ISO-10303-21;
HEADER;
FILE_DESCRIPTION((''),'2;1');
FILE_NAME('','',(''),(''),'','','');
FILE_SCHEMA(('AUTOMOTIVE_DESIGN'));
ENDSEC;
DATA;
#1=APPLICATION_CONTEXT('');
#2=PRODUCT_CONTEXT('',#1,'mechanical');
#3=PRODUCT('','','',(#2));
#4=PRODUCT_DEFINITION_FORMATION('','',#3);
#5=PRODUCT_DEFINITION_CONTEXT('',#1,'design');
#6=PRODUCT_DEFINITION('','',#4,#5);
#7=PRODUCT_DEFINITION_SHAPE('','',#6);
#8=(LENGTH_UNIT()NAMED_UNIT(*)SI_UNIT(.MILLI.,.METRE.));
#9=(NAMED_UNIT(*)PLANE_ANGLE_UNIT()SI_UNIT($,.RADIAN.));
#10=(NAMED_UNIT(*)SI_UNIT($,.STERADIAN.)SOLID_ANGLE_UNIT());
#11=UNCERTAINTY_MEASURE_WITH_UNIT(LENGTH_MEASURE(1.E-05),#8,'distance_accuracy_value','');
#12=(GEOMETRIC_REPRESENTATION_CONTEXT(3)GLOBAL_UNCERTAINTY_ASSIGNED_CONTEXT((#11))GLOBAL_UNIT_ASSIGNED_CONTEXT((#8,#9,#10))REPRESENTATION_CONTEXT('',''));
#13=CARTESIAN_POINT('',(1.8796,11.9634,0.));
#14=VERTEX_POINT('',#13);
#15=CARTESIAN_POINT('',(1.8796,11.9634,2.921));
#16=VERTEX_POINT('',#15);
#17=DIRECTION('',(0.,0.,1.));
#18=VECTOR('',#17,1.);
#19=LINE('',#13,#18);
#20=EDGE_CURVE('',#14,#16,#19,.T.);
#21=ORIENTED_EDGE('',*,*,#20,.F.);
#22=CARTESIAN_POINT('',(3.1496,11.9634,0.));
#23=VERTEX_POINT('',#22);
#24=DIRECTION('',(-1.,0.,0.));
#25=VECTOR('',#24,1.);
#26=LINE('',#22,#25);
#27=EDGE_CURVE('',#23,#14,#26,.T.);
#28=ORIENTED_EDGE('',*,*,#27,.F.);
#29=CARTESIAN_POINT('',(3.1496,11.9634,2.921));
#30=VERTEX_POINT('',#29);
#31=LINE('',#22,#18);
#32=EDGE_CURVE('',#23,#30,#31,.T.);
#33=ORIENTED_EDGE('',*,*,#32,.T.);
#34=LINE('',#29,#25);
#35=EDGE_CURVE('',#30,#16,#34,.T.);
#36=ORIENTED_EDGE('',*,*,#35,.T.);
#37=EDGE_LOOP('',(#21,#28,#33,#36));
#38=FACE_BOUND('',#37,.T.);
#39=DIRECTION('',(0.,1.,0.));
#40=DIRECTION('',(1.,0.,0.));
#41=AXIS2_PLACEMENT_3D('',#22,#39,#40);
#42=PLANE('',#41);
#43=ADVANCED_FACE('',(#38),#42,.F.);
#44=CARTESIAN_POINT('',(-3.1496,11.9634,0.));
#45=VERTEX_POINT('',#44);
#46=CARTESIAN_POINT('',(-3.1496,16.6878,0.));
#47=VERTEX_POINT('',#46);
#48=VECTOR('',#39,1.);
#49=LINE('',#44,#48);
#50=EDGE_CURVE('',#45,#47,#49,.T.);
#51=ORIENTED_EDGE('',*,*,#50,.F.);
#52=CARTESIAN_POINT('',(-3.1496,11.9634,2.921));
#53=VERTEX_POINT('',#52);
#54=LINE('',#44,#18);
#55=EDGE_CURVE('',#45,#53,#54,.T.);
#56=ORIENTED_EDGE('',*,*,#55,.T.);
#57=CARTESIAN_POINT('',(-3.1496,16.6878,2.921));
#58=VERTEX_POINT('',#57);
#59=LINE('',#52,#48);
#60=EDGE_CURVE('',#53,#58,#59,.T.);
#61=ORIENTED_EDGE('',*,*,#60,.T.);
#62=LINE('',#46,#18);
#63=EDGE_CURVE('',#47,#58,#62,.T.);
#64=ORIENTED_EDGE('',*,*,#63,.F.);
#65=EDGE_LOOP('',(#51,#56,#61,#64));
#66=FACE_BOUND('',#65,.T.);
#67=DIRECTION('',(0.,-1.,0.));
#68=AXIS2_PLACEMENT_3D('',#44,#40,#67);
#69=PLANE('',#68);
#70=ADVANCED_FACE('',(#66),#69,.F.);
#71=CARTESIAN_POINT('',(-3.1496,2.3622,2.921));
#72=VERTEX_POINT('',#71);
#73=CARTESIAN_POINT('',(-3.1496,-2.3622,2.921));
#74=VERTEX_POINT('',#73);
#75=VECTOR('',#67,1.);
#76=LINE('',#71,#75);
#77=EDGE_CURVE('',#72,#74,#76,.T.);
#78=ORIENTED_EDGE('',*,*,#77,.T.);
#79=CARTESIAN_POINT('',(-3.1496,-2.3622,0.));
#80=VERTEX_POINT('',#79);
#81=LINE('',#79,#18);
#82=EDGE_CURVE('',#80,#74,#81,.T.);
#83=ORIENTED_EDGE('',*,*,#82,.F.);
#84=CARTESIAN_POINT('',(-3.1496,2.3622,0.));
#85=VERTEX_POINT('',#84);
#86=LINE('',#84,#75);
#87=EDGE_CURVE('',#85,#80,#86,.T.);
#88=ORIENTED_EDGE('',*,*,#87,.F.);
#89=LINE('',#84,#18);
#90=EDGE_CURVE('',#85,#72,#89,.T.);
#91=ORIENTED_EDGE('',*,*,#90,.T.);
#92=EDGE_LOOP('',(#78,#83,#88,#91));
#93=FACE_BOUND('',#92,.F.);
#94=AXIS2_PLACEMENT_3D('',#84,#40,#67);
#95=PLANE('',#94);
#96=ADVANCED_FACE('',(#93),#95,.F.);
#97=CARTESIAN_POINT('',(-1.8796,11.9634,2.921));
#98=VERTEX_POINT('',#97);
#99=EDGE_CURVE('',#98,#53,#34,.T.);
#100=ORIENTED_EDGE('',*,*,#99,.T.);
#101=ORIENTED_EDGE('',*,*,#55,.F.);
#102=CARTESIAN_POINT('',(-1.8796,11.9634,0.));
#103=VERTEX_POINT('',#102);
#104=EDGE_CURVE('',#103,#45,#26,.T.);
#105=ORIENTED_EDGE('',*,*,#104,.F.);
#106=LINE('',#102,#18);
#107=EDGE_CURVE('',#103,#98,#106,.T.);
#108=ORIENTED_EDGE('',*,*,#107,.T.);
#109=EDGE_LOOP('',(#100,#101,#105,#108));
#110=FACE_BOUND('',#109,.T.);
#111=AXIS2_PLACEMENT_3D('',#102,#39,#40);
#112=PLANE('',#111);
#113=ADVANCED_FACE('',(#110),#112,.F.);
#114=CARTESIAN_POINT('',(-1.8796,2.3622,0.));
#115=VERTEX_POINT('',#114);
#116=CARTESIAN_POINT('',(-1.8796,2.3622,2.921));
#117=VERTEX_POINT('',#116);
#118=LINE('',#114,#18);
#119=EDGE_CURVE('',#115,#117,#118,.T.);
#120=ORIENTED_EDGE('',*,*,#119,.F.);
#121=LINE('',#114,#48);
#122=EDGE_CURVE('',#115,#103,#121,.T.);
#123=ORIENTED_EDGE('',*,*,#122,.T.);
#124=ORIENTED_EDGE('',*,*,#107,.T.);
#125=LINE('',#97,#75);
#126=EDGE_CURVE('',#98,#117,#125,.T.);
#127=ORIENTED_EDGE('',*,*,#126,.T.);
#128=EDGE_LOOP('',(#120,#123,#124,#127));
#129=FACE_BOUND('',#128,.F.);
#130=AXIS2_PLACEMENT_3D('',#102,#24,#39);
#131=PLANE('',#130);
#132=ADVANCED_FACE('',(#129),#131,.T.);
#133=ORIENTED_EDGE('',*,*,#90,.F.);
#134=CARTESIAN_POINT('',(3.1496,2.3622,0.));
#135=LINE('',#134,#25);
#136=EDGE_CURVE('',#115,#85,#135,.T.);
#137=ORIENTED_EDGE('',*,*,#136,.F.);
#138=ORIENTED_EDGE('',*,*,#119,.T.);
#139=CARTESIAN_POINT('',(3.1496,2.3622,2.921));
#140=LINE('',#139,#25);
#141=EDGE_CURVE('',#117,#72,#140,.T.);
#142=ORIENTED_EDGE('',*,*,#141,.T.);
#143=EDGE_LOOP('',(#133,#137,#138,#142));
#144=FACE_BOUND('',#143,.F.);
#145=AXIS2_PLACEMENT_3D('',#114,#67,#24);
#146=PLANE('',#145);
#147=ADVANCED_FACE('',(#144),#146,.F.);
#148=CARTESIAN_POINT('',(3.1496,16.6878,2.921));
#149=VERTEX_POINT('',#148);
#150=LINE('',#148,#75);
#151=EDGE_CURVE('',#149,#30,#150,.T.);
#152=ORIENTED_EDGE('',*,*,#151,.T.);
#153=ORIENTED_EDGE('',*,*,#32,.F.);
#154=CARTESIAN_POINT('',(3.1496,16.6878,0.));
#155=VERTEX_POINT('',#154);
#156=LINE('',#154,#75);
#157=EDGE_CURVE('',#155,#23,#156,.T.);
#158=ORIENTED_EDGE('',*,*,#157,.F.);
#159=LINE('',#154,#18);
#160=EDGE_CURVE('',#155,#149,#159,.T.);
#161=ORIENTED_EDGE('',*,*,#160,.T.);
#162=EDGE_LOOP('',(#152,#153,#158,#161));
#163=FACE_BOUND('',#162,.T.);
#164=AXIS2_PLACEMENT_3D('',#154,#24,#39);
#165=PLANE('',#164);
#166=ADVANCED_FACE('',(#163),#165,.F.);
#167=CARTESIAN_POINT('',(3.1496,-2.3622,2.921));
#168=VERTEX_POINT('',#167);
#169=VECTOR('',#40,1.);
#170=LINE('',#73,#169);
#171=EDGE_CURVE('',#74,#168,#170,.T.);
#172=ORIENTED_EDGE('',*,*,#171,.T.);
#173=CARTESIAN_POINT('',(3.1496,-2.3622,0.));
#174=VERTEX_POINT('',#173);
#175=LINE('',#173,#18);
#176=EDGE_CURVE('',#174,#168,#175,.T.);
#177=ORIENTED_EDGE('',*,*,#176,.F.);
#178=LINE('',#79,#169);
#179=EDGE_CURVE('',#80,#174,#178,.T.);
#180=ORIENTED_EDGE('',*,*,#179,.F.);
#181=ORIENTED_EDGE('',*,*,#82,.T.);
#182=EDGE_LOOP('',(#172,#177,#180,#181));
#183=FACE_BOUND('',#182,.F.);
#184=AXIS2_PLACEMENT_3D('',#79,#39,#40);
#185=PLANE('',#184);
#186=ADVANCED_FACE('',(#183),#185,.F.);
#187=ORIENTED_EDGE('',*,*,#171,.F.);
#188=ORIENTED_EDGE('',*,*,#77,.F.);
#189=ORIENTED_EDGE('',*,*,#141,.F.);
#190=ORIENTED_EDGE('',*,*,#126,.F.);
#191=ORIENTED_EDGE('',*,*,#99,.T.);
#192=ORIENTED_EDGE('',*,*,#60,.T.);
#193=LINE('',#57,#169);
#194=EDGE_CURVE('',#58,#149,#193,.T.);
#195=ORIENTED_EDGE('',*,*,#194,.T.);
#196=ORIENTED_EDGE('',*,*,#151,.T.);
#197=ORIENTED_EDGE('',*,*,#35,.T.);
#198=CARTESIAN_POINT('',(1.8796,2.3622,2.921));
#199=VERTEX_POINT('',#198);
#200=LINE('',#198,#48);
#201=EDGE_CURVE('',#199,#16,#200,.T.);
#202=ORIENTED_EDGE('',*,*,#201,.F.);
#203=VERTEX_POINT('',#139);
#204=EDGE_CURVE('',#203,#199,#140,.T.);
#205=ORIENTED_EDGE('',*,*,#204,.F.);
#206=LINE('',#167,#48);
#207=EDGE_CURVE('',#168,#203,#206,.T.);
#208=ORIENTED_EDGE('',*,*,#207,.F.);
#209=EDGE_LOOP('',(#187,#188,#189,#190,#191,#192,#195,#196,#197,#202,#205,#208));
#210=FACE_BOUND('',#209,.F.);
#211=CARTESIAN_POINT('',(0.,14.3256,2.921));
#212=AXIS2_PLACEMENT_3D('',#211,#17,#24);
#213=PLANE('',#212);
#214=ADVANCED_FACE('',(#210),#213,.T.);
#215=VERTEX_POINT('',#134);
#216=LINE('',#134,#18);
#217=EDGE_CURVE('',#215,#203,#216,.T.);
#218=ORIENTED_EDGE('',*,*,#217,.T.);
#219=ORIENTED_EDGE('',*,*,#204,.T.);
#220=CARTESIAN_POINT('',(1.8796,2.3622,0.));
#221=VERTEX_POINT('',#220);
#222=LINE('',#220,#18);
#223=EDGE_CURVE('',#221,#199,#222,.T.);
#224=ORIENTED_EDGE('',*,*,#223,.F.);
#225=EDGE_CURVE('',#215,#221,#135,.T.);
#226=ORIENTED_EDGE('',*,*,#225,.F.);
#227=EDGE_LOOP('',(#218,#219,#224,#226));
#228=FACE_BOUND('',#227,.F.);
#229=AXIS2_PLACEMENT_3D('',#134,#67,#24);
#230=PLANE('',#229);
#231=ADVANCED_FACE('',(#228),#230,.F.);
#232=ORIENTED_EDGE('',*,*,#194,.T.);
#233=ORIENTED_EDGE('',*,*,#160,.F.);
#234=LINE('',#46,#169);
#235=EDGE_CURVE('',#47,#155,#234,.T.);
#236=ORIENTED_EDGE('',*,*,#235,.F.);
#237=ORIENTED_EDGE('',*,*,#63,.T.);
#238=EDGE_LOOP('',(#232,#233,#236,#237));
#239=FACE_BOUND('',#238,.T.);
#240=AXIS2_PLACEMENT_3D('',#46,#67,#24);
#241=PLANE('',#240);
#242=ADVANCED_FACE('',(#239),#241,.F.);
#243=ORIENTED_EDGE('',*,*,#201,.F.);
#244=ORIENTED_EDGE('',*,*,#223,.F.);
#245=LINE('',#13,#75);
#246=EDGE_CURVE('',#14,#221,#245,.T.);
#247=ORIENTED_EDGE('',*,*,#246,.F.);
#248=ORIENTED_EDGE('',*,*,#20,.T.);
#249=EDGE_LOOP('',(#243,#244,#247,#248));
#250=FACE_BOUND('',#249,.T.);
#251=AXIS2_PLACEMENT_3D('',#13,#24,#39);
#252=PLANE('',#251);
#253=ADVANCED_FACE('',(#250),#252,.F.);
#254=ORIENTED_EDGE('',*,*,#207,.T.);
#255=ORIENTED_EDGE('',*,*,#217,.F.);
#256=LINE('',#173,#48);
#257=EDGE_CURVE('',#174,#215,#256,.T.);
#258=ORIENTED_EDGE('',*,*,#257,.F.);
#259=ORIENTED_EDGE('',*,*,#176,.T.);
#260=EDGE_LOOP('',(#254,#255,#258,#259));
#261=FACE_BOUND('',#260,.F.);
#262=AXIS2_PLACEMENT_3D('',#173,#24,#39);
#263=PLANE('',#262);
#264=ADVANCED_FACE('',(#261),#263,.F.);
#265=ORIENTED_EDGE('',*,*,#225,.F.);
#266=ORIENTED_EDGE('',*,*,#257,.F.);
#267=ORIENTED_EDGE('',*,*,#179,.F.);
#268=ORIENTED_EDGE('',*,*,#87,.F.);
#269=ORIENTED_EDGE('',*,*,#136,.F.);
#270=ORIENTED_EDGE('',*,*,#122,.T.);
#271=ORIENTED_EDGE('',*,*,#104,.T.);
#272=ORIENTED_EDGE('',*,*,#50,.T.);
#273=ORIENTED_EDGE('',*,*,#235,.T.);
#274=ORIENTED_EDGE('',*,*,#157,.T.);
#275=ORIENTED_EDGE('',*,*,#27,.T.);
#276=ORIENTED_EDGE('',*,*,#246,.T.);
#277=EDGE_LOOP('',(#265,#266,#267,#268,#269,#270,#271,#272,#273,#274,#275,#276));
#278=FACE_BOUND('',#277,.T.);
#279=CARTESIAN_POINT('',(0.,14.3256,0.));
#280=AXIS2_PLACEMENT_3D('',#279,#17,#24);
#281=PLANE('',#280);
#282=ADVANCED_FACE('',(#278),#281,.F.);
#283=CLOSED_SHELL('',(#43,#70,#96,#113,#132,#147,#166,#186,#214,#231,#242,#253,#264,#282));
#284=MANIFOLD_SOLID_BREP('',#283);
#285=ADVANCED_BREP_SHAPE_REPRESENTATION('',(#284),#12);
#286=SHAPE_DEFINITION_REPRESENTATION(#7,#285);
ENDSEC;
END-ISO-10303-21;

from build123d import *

# Parameters (mm, degrees)
F0_W     = 1.8796
F0_H     = 4.8006
F1_DEPTH = 2.921


with BuildPart() as f1:
    # F0 (on Top) → F1 (new body)
    with BuildSketch(Plane.XY):
        Polygon((3.1496, -2.3622), (3.1496, 2.3622), (1.8796, 2.3622), (0, 2.3622), (-1.8796, 2.3622), (-3.1496, 2.3622), (-3.1496, -2.3622), align=None)
        with Locations((0.9398, 4.7625)):
            Rectangle(F0_W, F0_H)
        with Locations((-0.9398, 4.7625)):
            Rectangle(F0_W, F0_H)
    extrude(amount=F1_DEPTH)

    # F2: F1 across face


with BuildPart() as f1_1:
    add(f1.part)
    add(f1.part.mirror(Plane(origin=(0, 7.1628, 1.4605), x_dir=(-1, 0, 0), z_dir=(0, 1, 0))))


solid = f1_1.part
